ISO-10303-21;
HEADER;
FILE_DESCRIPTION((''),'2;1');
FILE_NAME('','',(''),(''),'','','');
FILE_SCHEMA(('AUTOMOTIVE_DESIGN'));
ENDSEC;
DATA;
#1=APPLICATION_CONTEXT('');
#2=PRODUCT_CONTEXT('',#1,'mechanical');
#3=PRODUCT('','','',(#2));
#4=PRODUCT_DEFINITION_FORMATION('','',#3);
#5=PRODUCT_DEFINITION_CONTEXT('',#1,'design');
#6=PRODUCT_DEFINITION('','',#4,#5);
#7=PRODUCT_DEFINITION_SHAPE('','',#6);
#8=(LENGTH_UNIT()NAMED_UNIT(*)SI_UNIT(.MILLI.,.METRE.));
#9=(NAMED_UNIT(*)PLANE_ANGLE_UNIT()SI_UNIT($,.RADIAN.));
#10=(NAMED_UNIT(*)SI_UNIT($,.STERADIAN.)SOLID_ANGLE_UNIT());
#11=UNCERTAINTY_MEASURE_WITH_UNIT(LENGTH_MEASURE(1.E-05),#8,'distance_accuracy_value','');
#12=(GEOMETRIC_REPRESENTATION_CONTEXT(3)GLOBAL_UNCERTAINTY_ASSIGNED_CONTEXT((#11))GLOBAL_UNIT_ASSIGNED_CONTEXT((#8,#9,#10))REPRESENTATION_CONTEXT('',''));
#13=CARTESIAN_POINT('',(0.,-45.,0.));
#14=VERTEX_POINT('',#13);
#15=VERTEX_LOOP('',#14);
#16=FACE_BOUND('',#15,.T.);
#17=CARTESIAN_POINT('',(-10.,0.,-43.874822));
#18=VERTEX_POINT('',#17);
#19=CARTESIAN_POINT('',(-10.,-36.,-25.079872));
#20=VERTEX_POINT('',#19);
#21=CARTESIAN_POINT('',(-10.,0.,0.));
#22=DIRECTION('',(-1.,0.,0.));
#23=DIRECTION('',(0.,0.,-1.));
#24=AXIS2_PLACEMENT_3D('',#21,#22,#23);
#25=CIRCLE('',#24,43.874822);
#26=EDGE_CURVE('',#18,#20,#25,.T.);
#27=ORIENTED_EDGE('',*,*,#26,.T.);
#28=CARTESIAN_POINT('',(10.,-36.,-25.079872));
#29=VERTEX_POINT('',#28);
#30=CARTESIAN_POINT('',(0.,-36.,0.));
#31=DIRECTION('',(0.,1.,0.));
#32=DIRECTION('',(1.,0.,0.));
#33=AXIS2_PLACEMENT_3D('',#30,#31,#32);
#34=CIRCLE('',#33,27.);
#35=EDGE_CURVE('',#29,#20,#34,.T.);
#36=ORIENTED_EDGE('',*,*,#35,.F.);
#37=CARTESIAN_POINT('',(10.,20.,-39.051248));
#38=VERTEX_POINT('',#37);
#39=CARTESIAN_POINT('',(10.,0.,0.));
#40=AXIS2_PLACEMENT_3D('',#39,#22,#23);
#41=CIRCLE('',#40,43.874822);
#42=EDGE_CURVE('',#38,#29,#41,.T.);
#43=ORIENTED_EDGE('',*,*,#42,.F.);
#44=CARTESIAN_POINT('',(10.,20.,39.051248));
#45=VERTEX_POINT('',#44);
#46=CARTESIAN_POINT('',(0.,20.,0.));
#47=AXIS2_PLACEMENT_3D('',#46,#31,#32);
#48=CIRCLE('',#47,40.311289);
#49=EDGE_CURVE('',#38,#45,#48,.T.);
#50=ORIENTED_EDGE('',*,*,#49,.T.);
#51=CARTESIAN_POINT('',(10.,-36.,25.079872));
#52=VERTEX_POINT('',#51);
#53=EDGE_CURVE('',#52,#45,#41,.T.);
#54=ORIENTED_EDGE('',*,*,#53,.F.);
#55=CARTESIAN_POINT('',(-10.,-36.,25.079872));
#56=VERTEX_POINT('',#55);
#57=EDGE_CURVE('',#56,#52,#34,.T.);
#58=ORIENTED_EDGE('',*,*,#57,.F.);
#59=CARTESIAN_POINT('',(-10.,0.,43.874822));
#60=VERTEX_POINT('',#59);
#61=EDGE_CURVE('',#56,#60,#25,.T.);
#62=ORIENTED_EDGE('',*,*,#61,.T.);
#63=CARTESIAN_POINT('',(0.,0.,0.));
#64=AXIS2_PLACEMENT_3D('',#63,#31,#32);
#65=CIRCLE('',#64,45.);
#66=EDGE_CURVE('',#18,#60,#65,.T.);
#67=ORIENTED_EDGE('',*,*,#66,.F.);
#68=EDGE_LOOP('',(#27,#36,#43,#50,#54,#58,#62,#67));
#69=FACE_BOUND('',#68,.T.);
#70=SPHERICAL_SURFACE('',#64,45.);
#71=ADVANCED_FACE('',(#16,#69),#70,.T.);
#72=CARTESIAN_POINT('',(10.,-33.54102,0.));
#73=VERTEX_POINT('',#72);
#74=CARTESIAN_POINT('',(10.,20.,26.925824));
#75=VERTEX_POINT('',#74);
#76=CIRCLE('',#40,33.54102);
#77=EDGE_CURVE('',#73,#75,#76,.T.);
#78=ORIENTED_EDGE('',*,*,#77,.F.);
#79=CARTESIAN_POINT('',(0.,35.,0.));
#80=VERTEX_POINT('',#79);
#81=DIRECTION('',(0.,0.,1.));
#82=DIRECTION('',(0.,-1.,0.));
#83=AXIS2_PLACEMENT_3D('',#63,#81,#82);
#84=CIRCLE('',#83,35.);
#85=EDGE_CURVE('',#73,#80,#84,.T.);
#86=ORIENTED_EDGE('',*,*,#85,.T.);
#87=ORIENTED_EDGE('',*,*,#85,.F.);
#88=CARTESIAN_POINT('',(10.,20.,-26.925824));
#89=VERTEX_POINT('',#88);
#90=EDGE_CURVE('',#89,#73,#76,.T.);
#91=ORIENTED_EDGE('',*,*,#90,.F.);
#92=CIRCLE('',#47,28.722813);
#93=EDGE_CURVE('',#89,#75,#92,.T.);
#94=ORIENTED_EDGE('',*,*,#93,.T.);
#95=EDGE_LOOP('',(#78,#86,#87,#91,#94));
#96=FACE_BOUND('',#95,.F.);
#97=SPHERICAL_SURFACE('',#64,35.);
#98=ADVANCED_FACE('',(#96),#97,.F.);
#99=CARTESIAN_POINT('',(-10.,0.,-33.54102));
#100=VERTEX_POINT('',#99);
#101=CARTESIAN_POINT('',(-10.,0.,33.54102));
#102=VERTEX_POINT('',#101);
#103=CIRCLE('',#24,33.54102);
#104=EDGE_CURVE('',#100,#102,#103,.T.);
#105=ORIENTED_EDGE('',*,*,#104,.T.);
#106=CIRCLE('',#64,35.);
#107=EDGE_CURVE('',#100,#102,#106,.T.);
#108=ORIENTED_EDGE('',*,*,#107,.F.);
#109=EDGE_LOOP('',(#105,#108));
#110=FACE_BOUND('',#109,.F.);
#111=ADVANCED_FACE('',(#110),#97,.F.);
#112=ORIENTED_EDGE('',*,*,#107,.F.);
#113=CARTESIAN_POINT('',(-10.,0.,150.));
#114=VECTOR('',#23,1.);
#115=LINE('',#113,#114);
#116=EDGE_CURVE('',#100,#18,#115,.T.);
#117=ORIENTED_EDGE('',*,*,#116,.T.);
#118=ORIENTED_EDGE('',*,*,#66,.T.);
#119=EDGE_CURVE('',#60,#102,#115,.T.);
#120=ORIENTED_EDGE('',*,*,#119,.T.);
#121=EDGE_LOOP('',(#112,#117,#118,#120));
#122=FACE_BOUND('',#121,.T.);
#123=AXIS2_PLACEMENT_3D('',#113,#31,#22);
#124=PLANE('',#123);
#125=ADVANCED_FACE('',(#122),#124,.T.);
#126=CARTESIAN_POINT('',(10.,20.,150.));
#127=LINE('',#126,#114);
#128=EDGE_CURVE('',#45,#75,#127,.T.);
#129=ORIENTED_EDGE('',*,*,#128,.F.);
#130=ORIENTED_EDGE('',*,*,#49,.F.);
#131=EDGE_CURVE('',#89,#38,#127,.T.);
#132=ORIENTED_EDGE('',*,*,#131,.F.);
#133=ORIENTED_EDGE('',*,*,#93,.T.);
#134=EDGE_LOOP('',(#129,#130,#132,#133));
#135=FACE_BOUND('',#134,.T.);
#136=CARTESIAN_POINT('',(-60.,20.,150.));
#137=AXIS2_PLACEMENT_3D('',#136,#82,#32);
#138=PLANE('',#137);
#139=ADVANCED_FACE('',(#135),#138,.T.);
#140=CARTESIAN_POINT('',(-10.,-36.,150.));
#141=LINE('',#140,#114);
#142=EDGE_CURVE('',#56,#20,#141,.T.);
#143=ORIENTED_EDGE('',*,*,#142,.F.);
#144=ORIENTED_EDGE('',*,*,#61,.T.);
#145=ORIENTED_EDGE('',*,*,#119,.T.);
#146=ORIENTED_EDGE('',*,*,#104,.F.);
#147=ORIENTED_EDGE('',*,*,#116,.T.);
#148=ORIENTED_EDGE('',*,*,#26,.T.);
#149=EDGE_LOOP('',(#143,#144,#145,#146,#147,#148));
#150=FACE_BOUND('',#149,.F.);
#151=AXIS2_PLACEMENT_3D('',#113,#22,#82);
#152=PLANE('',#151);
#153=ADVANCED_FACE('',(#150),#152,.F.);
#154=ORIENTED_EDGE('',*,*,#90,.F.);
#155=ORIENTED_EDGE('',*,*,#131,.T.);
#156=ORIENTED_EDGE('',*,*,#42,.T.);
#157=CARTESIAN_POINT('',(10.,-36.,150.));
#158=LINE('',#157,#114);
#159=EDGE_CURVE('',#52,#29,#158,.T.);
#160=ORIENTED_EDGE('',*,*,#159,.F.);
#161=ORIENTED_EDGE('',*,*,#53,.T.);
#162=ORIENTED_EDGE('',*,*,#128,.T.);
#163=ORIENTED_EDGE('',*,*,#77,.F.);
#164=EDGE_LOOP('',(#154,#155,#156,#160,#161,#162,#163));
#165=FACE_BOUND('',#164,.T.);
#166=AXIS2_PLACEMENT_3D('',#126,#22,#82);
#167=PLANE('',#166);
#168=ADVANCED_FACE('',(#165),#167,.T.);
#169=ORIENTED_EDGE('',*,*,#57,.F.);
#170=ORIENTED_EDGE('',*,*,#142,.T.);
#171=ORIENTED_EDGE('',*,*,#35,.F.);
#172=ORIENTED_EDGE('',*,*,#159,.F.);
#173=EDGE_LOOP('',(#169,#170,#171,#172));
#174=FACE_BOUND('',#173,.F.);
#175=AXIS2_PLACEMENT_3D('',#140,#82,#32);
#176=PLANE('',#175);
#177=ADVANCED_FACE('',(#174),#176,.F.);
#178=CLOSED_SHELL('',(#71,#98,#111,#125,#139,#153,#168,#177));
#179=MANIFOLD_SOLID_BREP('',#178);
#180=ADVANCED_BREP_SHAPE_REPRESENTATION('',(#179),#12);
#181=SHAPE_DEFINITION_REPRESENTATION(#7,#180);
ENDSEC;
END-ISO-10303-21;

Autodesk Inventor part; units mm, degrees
ref_plane "YZ Plane" through (0, 0, 0) normal (1, 0, 0) x (0, 1, 0)
ref_plane "XZ Plane" through (0, 0, 0) normal (0, 1, 0) x (-1, 0, 0)
sketch "Эскиз1" plane through (0, 0, 0) normal (0, 0, 1) x (1, 0, 0)
  arc A0 (0, -35) -> (0, 35) centre (0, 0) ccw
  arc A1 (0, -45) -> (0, 45) centre (0, 0) ccw
  line L0 (0, 45) -> (0, 35)
  line L1 (0, -45) -> (0, -35)
  line L2 (0, -63) -> (0, 63) projected
revolve "Вращение1" add sketch "Эскиз1" angle 360 about axis through (0, -10, 0) along (0, 1, 0) contours A0 L0 A1 L1
ref_plane "РабПлоскость1" through (0, 0, 150) normal (0, 0, 1) x (1, 0, 0)
sketch "Эскиз2" plane through (0, 0, 150) normal (0, 0, 1) x (1, 0, 0)
  line L0 (-60, 0) -> (-60, 20)
  line L1 (-60, 20) -> (10, 20)
  line L2 (10, 20) -> (10, -36)
  line L3 (-10, 0) -> (-60, 0)
  line L4 (-10, 0) -> (-10, -36)
  line L5 (-10, -36) -> (10, -36)
  point P0 (0, 0)
extrude "Выдавливание1" cut sketch "Эскиз2" against normal blind 250
